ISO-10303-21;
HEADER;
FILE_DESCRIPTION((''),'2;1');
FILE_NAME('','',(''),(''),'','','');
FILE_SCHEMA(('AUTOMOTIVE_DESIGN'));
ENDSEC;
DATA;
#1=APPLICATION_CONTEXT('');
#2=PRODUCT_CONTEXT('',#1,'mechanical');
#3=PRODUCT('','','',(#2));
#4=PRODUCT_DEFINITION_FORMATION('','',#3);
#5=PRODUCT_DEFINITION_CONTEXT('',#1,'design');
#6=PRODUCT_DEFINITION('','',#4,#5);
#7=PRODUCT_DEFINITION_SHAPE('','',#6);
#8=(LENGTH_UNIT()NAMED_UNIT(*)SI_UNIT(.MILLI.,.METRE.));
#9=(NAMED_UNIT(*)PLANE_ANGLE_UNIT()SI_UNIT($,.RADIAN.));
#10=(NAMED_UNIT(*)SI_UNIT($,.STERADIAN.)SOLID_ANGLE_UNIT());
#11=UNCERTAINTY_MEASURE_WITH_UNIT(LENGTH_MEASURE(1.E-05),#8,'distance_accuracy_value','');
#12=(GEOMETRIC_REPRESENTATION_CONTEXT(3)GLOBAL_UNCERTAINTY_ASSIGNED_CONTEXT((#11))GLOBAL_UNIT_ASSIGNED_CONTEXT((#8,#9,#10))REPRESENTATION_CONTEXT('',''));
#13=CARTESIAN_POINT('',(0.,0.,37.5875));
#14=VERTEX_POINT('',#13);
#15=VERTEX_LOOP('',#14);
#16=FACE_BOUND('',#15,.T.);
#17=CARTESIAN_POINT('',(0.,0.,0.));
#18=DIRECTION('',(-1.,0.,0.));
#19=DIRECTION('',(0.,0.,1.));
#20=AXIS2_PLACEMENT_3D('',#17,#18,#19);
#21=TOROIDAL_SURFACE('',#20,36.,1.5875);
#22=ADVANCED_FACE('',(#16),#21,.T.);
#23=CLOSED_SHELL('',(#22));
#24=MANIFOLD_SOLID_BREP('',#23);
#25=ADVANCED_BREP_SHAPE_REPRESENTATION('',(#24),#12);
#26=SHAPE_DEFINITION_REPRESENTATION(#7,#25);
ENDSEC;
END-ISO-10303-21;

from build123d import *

# Parameters (mm, degrees)
SKETCH2_R = 1.5875


with BuildPart() as part:
    # Sketch2 → Revolve1 (revolve)
    with BuildSketch(Plane.XY, mode=Mode.PRIVATE) as revolve1_sk:
        with Locations((0, 36)):
            Circle(SKETCH2_R)
    revolve(revolve1_sk.sketch.rotate(Axis((0, 0, 0), (1, 0, 0)), 90), axis=Axis((0, 0, 0), (1, 0, 0)))


solid = part.part
